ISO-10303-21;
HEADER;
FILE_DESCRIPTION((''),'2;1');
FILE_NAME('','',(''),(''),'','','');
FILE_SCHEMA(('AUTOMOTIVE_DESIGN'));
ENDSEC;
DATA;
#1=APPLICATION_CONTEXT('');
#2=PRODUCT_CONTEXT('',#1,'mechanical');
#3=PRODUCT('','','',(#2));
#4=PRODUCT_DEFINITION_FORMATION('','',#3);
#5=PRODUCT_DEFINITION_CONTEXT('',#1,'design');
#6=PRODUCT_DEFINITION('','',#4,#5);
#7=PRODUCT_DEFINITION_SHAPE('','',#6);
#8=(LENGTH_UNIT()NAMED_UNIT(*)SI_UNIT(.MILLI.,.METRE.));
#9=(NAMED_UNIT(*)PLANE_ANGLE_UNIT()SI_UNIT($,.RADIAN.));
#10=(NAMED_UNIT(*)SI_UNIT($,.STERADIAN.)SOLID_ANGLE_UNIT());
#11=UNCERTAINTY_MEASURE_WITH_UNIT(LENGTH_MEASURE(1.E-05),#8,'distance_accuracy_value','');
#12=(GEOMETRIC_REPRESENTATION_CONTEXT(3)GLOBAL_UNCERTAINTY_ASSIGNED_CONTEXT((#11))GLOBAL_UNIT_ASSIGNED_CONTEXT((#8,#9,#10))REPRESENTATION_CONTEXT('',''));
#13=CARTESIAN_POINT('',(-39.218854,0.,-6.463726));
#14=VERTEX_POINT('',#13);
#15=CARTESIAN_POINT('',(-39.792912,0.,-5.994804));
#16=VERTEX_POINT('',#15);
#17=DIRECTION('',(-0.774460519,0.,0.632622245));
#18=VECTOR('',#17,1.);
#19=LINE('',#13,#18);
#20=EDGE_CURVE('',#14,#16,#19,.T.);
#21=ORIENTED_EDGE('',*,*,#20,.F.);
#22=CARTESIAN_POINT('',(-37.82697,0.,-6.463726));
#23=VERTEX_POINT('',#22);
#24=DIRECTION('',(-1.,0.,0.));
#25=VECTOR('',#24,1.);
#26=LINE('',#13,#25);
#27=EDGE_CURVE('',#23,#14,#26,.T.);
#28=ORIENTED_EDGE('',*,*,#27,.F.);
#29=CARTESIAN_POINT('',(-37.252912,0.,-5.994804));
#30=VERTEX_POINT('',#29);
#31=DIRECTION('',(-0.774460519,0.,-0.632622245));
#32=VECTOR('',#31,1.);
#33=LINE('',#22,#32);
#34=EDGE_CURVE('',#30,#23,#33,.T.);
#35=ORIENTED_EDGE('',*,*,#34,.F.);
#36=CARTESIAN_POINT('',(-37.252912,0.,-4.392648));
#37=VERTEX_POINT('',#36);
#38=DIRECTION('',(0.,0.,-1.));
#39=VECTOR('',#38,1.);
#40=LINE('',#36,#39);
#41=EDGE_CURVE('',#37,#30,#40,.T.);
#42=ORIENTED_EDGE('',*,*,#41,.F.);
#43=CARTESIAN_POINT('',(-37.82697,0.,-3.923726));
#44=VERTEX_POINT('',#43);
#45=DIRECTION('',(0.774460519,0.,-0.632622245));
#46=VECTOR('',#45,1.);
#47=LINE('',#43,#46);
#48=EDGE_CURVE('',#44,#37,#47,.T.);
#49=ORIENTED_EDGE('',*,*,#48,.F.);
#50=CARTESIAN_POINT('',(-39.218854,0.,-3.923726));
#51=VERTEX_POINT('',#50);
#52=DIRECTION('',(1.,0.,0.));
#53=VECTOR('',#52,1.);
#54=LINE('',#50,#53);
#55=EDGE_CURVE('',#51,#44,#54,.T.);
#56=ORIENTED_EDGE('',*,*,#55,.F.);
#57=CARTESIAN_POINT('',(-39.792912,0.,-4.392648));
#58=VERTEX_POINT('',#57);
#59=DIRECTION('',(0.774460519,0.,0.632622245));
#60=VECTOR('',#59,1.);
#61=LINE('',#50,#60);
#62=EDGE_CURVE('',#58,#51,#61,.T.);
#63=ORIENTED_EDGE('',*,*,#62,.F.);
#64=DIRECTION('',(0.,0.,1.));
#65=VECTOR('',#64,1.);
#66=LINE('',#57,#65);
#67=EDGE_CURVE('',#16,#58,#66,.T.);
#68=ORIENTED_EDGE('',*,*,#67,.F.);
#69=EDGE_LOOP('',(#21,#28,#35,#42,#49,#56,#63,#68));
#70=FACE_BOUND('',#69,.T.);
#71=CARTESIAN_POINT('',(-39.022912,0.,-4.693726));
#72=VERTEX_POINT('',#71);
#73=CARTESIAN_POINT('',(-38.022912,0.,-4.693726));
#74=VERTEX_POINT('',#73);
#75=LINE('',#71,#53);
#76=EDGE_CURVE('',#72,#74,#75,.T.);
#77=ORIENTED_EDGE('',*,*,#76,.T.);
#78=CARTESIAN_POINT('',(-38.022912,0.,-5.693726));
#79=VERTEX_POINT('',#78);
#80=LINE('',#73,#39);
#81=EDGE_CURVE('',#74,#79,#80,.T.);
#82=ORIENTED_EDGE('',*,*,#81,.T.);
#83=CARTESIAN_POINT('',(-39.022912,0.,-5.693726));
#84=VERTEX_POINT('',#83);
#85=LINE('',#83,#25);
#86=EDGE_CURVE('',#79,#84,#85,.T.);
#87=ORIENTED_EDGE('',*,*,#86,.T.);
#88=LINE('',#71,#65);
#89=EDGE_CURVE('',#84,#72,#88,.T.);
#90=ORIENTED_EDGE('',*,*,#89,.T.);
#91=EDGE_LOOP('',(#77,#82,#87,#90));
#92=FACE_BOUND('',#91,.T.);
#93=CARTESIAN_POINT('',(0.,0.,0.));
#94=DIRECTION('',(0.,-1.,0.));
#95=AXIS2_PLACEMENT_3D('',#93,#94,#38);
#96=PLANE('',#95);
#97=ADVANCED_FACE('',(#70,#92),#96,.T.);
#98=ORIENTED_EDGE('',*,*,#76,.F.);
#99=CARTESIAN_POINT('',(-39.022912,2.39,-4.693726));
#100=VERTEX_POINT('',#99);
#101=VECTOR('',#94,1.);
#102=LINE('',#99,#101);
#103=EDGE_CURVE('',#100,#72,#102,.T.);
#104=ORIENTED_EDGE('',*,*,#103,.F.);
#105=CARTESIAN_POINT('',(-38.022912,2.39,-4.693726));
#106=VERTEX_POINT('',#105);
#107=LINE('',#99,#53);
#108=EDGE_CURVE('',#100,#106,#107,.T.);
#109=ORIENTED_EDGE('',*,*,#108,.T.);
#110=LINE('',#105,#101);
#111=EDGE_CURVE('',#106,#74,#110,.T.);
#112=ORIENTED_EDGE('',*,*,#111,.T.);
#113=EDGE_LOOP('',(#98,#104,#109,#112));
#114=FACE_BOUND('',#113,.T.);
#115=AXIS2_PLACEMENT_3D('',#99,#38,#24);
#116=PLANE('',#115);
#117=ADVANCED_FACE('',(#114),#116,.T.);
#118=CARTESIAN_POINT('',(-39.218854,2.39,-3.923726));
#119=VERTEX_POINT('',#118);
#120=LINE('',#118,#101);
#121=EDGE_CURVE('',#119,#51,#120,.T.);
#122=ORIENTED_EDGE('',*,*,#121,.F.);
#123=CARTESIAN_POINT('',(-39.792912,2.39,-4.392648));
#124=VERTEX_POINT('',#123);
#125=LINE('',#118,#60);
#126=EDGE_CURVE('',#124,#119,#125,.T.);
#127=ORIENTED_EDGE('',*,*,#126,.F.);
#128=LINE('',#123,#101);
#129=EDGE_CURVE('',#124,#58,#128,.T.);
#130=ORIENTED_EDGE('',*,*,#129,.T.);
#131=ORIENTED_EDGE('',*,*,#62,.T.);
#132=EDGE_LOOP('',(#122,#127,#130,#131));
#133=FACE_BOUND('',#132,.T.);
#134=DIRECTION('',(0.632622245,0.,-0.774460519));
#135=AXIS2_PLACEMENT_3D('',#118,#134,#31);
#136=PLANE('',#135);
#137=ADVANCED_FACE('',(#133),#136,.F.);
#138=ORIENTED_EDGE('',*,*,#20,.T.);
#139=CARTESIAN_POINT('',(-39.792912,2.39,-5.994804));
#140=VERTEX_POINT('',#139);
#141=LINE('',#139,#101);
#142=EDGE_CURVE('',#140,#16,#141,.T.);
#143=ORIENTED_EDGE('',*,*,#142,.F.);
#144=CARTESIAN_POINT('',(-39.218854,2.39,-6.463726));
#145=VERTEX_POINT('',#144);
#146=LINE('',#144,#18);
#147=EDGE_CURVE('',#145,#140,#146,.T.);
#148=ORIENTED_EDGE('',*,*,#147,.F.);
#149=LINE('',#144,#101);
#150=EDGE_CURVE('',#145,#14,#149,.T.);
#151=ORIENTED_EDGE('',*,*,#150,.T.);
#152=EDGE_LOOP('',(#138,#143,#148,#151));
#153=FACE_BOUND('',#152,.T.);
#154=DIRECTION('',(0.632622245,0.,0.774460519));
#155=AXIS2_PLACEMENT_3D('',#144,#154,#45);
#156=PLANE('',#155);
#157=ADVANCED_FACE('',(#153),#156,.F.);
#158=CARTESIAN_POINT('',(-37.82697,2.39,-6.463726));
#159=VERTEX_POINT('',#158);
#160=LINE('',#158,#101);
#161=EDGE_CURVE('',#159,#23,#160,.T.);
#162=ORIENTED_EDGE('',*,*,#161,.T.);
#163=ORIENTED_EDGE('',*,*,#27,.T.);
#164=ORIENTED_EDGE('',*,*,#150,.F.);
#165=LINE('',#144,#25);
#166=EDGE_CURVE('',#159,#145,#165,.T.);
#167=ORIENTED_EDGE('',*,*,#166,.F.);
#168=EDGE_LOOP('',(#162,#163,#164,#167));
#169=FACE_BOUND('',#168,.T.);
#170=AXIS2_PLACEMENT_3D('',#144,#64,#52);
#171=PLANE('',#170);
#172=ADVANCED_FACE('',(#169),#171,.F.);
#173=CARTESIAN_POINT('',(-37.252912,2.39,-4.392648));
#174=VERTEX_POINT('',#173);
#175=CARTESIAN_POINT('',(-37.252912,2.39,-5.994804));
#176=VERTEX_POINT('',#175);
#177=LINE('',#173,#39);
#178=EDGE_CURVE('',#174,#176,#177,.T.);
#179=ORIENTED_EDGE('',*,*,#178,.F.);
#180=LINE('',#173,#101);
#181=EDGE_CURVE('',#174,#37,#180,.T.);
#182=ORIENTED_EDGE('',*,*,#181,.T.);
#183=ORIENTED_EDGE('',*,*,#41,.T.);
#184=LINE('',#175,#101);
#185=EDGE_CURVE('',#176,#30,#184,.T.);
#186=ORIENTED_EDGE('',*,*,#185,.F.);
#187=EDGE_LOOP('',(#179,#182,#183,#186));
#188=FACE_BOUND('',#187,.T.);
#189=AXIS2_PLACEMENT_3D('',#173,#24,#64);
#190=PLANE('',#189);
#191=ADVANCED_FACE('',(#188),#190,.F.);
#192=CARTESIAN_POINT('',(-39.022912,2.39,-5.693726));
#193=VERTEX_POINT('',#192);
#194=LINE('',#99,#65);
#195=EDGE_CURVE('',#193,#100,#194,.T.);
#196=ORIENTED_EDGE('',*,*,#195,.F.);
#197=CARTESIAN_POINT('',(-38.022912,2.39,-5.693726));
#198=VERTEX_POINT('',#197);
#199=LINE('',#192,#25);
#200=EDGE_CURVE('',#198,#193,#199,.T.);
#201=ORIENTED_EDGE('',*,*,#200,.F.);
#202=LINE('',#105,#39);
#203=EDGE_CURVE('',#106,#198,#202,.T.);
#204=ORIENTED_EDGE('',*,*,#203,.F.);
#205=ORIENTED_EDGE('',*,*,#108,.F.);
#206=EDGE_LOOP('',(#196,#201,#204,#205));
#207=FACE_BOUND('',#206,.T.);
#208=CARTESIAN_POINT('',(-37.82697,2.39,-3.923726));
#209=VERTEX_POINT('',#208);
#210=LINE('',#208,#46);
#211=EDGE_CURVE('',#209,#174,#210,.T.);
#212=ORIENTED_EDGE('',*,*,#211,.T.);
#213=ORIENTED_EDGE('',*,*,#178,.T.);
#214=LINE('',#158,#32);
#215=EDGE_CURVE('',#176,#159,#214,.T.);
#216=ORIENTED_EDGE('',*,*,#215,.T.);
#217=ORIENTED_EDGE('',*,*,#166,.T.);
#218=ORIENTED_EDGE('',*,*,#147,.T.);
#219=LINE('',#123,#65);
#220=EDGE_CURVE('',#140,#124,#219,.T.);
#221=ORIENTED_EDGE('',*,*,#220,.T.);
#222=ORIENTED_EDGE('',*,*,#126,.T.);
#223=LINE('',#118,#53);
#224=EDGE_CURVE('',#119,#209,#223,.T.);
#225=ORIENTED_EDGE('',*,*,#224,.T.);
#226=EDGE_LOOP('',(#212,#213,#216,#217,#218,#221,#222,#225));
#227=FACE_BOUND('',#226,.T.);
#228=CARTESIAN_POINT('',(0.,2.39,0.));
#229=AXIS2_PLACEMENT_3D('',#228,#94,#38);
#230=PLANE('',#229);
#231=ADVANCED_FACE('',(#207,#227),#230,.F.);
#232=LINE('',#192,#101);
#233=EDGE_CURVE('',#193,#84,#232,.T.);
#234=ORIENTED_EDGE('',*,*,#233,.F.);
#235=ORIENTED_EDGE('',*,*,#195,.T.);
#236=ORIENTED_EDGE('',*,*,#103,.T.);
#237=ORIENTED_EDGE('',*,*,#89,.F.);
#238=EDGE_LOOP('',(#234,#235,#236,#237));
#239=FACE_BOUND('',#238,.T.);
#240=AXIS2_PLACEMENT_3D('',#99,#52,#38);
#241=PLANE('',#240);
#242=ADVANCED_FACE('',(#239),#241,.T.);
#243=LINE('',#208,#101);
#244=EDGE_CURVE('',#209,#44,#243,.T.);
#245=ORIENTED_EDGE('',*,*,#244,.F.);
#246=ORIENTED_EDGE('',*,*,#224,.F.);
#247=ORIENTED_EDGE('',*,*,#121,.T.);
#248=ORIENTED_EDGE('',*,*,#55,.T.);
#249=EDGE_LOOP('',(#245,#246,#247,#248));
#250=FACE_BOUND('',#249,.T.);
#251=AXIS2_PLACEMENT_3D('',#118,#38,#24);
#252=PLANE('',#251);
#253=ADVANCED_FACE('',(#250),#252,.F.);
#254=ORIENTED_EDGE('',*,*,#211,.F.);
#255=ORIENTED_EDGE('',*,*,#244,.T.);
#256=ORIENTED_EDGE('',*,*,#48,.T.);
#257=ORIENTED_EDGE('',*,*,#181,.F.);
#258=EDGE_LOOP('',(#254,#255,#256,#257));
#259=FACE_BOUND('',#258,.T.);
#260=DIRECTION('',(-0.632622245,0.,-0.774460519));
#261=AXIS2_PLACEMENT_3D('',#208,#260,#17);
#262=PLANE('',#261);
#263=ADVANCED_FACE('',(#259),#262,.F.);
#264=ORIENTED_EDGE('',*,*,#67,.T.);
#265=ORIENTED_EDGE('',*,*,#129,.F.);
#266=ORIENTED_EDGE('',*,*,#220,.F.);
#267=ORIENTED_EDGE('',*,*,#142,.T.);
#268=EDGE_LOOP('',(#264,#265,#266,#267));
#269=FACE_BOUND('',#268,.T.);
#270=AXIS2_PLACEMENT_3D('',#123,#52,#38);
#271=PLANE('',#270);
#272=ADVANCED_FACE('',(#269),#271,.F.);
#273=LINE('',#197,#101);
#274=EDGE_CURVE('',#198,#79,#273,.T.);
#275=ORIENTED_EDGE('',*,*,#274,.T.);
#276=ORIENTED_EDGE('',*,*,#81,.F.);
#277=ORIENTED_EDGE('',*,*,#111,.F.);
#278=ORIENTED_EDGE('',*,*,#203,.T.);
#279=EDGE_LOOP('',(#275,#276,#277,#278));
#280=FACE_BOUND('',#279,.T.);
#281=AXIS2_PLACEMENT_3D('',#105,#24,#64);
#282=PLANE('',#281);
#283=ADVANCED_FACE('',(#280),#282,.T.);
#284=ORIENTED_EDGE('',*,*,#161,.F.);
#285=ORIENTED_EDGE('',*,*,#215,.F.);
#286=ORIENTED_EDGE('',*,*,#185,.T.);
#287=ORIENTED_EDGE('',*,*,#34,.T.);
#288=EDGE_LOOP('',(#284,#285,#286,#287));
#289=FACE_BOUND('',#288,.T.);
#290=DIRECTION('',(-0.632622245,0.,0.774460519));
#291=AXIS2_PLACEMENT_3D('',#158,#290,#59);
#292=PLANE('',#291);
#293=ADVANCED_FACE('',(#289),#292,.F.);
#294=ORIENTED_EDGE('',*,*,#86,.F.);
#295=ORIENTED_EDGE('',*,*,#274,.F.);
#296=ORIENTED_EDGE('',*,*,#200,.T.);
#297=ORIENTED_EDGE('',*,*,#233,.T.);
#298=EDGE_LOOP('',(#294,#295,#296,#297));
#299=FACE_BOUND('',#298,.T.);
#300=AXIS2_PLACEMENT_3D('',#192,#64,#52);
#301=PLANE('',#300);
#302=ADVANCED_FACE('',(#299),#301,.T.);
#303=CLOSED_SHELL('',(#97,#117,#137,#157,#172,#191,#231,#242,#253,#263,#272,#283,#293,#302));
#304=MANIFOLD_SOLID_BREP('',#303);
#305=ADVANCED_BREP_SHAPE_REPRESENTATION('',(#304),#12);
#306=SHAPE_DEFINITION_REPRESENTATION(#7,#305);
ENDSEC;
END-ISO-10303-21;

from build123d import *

# Parameters (mm, degrees)
SKETCH1_W           = 1
SKETCH1_H           = 1
BOSS_EXTRUDE2_DEPTH = 2.39


with BuildPart() as part:
    # Sketch1 → Boss-Extrude2 (new body)
    with BuildSketch(Plane(origin=(0, 0, 0), x_dir=(1, 0, 0), z_dir=(0, 1, 0))):
        Polygon((-39.218854462, 3.923726072), (-37.826970459, 3.923726072), (-37.252912461, 4.392648439), (-37.252912461, 5.994803705), (-37.826970459, 6.463726072), (-39.218854462, 6.463726072), (-39.792912461, 5.994803705), (-39.792912461, 4.392648439), align=None)
        with Locations((-38.522912461, 5.193726072)):
            Rectangle(SKETCH1_W, SKETCH1_H, mode=Mode.SUBTRACT)
    extrude(amount=BOSS_EXTRUDE2_DEPTH)


solid = part.part
